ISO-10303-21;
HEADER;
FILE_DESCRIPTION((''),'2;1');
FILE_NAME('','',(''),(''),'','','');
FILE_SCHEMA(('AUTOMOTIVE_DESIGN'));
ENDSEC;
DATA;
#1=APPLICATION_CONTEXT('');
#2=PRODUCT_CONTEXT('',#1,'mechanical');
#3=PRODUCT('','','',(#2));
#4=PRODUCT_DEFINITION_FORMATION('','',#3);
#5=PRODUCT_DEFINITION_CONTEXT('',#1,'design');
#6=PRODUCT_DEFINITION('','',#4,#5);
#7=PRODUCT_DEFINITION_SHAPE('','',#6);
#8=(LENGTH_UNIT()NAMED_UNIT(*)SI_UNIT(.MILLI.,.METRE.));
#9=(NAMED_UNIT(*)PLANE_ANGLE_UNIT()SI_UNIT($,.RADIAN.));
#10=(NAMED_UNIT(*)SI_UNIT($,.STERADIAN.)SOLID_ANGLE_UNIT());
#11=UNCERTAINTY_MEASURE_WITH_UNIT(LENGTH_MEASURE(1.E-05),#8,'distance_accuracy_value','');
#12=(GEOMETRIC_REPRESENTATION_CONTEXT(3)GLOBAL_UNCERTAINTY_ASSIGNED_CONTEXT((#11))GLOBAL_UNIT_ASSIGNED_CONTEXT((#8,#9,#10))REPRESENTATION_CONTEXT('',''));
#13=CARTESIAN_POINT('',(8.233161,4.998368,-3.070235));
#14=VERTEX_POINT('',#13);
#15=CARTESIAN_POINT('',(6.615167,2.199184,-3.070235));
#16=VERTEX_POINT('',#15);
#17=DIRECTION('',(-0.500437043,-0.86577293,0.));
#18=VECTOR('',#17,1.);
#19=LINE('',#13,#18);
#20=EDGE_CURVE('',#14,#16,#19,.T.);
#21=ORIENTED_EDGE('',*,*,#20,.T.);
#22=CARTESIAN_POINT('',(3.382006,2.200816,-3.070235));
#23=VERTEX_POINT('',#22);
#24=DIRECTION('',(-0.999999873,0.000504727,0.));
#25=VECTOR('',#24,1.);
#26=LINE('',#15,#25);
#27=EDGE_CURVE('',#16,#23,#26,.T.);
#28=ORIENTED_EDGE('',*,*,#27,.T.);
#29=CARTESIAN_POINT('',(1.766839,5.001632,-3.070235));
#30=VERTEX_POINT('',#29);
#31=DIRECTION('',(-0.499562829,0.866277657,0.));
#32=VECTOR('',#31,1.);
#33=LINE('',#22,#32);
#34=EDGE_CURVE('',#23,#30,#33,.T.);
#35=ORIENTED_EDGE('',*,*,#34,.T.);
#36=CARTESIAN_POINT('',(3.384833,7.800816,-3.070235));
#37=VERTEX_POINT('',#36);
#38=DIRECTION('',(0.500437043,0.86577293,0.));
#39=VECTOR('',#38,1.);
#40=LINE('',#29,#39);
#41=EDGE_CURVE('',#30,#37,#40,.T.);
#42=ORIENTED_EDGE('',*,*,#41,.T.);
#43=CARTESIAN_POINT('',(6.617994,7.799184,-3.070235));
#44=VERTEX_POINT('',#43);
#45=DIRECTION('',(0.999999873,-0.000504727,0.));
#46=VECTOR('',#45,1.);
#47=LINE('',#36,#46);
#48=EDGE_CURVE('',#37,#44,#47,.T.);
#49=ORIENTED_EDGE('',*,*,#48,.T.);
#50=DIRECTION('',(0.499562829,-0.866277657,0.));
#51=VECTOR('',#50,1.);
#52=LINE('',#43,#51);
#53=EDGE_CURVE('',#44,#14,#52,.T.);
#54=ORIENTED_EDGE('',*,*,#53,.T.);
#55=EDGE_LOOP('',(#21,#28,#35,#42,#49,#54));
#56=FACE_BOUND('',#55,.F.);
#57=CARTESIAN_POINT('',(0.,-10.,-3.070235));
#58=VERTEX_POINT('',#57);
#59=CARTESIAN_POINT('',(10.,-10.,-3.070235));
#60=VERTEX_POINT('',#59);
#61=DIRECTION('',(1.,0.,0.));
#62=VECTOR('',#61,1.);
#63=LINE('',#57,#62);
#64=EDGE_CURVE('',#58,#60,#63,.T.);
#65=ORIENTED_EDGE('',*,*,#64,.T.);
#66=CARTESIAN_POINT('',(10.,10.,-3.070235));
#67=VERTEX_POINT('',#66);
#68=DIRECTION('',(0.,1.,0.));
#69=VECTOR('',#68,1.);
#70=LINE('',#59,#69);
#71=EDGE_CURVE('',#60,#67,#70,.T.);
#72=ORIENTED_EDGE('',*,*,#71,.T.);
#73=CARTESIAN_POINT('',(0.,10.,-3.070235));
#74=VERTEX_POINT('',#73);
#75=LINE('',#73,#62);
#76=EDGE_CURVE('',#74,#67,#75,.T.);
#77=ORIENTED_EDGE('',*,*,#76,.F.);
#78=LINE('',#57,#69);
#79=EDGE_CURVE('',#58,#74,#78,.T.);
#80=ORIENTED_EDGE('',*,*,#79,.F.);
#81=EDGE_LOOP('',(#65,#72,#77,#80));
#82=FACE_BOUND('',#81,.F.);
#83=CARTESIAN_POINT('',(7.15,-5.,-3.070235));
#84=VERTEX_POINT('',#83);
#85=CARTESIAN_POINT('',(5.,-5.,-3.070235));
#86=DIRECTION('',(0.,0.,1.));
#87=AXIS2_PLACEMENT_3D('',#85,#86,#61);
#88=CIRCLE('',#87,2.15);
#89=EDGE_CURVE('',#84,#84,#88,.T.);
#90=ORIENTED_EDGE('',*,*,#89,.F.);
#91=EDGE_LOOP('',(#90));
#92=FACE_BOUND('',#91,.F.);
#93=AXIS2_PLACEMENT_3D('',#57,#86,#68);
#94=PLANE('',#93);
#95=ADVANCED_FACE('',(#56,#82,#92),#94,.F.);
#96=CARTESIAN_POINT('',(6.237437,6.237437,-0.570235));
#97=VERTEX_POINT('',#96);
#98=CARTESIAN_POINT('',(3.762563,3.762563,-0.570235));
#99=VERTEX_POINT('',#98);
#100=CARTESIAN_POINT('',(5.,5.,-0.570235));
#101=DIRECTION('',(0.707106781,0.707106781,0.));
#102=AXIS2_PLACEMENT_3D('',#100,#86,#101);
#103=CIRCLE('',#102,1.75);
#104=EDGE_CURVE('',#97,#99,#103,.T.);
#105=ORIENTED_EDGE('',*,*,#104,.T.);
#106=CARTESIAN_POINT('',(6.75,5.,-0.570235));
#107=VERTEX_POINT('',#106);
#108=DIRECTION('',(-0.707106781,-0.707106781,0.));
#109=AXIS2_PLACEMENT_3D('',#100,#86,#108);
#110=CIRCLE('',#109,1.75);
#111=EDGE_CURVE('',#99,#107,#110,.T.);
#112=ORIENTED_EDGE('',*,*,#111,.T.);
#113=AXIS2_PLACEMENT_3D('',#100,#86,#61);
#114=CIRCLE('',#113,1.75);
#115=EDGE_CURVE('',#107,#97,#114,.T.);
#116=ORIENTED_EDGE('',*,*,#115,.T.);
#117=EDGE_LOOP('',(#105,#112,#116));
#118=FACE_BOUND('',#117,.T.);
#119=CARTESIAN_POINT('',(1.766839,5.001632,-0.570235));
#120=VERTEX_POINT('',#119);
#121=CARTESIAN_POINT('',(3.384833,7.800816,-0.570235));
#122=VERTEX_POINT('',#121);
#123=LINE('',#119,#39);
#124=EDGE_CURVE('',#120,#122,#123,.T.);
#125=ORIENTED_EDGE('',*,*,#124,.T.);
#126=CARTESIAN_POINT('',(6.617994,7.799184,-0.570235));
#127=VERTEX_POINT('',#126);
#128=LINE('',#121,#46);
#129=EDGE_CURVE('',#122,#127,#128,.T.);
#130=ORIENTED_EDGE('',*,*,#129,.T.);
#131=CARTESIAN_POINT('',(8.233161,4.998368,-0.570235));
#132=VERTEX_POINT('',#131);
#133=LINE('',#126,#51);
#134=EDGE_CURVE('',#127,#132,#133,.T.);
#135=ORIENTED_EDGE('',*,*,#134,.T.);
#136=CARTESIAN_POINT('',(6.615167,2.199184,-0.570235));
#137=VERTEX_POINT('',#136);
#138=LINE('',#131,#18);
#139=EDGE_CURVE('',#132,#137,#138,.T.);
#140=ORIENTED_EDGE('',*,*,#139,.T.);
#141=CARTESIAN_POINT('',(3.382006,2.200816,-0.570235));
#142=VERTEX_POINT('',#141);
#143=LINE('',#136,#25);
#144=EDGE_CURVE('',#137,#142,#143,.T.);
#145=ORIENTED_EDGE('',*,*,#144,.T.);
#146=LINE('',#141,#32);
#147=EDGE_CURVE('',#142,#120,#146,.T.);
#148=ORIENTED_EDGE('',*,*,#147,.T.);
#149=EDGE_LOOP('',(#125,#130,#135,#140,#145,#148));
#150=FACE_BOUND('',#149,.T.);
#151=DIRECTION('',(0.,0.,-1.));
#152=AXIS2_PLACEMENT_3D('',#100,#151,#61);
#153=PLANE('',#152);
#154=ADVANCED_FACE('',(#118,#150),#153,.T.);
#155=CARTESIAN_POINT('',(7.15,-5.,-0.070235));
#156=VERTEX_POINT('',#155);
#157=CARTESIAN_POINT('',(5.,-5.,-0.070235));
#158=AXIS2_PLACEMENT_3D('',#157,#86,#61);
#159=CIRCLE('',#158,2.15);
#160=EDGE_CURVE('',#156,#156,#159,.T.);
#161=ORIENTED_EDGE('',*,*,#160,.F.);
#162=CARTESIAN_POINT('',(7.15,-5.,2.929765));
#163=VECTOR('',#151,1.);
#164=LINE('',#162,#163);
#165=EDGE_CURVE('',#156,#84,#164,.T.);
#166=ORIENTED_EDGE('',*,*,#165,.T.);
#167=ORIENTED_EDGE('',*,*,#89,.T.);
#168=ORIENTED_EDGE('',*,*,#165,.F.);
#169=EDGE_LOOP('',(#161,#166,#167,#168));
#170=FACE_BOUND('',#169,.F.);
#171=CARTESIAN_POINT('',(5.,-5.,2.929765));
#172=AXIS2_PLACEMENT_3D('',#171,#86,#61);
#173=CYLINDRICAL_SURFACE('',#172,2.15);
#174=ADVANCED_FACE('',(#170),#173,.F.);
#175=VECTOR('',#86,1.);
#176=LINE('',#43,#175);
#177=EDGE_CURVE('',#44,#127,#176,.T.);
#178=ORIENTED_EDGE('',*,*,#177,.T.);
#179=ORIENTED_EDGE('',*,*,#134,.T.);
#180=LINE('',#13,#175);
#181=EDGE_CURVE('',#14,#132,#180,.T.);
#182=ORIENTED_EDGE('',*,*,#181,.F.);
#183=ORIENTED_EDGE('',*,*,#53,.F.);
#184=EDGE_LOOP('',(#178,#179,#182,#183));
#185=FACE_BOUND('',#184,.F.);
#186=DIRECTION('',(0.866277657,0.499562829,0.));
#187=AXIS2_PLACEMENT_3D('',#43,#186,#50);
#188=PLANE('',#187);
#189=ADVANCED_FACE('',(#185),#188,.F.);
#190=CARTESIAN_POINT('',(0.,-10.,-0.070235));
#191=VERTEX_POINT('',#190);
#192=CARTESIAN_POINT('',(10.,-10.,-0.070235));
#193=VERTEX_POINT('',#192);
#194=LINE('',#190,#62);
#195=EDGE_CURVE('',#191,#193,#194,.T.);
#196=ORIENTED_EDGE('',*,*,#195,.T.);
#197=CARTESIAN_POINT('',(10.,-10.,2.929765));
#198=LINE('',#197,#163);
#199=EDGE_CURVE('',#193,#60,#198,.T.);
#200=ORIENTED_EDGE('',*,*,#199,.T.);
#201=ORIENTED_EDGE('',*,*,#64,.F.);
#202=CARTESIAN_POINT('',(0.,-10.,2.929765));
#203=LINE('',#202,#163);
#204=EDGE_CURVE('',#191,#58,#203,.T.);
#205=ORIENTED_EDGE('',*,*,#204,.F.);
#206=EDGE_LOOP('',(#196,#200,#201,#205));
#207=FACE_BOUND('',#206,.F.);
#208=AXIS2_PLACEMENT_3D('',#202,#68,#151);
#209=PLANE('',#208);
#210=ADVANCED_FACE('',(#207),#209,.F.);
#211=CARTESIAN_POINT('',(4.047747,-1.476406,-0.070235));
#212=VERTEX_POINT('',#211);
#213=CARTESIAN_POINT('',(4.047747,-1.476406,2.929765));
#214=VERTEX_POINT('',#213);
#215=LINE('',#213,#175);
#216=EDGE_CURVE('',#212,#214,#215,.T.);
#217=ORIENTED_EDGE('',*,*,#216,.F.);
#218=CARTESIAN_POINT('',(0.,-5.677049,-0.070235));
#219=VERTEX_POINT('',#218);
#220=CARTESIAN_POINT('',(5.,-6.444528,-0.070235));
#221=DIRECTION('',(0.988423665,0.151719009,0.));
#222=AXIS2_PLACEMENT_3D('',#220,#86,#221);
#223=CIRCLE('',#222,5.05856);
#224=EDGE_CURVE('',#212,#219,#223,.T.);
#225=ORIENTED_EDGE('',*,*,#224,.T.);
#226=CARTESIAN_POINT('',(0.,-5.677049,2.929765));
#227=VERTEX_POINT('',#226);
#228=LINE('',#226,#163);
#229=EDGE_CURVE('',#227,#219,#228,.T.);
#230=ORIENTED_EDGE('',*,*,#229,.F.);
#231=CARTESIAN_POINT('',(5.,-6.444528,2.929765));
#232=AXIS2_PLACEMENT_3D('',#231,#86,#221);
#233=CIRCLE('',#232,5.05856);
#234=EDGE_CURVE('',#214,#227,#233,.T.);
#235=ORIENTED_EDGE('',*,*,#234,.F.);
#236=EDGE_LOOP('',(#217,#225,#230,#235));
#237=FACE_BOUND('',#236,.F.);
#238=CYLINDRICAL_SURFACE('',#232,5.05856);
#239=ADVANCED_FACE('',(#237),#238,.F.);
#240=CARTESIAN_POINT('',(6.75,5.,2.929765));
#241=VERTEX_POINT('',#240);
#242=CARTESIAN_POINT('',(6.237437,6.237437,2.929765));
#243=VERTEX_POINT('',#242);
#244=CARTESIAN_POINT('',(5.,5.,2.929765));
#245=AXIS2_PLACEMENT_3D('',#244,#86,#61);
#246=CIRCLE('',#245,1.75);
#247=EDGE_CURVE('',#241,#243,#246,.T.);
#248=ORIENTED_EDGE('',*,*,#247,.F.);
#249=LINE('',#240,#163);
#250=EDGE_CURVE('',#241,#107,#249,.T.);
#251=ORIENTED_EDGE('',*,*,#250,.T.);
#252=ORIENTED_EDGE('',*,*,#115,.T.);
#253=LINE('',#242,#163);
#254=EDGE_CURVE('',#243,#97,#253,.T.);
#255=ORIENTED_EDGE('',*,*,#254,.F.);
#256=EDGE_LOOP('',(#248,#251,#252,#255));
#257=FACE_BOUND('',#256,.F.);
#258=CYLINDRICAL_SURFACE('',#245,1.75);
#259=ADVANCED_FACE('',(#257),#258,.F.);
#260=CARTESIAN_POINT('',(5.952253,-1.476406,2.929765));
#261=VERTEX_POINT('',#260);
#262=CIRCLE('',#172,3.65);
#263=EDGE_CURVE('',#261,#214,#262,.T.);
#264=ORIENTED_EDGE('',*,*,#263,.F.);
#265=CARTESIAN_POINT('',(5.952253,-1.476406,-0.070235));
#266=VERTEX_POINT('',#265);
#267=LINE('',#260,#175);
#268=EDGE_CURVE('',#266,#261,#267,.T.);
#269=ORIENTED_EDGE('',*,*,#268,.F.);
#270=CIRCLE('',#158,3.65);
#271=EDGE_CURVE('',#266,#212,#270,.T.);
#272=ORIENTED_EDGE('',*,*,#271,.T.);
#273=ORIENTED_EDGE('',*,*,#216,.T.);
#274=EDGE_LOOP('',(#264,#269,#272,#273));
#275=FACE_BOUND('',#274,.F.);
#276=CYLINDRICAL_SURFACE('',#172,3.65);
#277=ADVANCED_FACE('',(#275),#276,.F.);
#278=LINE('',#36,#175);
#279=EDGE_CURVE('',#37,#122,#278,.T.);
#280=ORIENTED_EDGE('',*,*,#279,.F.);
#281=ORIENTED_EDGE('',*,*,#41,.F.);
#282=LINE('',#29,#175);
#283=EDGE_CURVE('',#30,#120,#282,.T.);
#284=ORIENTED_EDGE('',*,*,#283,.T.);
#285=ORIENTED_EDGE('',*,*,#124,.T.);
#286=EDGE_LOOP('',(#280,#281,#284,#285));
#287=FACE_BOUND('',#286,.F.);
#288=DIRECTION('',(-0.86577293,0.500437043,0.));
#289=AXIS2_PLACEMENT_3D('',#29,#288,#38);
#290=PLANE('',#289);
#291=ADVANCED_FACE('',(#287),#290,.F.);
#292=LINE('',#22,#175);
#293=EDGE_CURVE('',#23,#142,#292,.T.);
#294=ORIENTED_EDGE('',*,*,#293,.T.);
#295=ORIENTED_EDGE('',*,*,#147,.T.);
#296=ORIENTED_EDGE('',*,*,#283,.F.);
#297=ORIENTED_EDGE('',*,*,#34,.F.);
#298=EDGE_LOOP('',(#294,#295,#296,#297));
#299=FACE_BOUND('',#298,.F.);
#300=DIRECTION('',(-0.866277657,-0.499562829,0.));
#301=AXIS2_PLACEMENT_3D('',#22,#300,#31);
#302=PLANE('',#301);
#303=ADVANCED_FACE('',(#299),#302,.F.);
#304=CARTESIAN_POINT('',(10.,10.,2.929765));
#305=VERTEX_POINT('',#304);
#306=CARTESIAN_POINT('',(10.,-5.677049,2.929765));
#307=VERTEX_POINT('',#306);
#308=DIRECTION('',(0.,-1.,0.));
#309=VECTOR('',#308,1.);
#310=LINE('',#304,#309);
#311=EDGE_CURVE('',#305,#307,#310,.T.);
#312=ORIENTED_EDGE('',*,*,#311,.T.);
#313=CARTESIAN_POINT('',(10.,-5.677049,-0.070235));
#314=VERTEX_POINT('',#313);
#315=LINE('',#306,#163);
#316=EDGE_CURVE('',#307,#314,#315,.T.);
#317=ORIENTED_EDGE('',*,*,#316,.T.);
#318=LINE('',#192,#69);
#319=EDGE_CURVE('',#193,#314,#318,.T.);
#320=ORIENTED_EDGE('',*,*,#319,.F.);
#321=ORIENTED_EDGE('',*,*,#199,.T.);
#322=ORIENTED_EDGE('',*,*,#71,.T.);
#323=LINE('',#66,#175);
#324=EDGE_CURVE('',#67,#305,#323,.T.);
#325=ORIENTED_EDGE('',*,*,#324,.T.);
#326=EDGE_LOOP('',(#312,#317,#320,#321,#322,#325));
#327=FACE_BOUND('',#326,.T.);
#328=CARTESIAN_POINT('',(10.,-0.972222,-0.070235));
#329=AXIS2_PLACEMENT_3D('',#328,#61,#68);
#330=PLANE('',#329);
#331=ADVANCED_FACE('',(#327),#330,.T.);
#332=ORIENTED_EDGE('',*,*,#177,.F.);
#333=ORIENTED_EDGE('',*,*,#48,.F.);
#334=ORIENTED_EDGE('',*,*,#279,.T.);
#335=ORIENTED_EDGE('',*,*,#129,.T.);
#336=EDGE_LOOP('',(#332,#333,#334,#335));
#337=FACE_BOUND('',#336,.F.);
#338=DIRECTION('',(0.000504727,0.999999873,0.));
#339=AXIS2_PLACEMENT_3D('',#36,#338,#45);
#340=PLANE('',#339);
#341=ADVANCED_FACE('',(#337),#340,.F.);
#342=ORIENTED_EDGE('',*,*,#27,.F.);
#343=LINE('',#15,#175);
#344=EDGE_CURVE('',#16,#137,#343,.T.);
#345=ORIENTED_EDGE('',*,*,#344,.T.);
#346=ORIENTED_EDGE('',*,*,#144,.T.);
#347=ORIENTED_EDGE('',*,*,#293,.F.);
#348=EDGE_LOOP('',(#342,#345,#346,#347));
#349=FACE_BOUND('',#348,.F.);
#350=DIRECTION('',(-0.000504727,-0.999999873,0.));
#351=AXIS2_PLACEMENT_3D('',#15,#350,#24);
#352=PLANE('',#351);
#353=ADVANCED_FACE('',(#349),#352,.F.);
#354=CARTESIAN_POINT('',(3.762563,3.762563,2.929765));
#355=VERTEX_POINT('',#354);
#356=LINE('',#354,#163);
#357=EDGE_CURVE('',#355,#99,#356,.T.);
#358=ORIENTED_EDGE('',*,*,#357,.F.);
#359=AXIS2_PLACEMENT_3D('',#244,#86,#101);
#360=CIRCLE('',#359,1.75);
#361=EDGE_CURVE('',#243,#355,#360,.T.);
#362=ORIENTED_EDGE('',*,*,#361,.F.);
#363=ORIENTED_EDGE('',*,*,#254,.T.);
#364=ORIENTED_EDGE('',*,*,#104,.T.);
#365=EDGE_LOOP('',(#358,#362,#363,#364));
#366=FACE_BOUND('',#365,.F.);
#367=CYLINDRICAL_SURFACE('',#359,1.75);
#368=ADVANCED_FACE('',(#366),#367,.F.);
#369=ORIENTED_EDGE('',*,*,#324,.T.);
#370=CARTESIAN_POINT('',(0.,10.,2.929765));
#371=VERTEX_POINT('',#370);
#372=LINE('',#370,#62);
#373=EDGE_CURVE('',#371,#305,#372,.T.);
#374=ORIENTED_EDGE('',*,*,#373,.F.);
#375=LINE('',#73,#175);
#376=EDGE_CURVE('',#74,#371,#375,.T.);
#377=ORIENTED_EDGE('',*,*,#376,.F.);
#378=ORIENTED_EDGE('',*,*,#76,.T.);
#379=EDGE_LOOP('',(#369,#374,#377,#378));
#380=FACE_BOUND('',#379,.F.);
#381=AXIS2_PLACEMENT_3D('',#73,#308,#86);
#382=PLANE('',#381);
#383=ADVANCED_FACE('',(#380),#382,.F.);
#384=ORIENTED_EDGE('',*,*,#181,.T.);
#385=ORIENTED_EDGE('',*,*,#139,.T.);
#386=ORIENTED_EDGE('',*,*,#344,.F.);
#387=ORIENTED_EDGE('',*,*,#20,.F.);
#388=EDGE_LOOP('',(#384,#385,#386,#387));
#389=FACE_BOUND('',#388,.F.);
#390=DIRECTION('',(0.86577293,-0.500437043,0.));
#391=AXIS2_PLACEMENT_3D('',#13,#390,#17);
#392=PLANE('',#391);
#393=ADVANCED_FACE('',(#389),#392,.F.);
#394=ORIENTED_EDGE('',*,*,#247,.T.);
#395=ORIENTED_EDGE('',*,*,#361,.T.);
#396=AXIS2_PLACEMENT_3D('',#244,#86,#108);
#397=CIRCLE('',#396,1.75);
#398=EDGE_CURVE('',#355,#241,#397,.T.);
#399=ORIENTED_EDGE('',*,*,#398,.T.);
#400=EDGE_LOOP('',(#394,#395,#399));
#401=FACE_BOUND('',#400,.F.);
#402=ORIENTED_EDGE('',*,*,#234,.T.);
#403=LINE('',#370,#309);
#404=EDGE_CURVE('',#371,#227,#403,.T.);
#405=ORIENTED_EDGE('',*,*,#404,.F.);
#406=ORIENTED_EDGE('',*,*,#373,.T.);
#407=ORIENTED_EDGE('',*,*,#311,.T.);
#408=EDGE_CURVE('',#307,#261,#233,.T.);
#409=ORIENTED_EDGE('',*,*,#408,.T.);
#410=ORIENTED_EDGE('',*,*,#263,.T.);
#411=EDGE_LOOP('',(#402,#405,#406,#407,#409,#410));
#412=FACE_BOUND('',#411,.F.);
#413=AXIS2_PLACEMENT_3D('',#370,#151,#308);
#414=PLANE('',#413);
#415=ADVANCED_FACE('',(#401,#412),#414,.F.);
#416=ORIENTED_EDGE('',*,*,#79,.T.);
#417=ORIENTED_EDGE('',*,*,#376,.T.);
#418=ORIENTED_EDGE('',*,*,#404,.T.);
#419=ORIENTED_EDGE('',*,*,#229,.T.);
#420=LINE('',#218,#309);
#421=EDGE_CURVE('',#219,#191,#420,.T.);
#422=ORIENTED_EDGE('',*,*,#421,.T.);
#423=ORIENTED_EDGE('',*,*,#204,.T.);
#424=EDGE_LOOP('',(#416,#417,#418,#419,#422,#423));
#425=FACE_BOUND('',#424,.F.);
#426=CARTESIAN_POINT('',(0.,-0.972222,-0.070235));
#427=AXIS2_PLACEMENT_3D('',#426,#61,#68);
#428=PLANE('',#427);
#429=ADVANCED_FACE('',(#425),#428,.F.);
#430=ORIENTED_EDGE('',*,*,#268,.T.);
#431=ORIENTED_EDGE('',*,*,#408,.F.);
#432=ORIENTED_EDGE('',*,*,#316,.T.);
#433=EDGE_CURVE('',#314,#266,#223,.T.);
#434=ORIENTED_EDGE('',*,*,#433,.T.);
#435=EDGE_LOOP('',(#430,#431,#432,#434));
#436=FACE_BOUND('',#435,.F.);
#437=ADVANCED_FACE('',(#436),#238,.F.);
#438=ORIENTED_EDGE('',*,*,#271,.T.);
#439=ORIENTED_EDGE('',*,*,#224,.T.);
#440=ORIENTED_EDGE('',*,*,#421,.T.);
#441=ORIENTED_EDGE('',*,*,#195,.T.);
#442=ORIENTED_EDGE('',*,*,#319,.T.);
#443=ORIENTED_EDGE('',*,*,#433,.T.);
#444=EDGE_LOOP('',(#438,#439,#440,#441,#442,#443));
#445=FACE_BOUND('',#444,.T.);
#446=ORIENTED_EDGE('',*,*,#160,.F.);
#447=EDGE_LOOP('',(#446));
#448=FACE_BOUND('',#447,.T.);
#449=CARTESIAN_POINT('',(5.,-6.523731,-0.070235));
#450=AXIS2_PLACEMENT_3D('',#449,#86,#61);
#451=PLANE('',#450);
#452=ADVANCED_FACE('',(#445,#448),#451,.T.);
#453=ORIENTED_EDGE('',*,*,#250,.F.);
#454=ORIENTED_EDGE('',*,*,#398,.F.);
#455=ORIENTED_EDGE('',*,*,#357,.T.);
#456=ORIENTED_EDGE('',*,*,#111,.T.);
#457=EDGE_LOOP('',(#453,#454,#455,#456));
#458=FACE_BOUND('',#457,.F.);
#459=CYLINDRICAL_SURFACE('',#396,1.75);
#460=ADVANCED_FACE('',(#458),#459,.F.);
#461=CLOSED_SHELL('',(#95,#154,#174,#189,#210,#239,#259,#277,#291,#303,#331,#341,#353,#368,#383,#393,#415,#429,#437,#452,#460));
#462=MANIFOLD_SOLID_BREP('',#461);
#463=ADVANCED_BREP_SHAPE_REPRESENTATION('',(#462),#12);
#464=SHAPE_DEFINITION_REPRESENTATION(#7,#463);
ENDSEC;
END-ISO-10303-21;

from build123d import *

# Parameters (mm, degrees)
F0_W     = 10
F0_H     = 3
F1_DEPTH = 10
F2_R     = 2.15
F3_DEPTH = 6
F5_DEPTH = 2.5
F6_R     = 3.65
F7_DEPTH = 3
F9_DEPTH = 3


with BuildPart() as f1:
    # F0 (on Right) → F1 (new body)
    with BuildSketch(Plane.YZ):
        Polygon((-10, -3.0702352835), (10, -3.0702352835), (10, 2.9297647165), (-10, 2.9297647165), (-10, 1.4297647165), (0, 1.4297647165), (0, -1.5702352835), (-10, -1.5702352835), align=None)
        with Locations((-5, -0.0702352835)):
            Rectangle(F0_W, F0_H)
    extrude(amount=F1_DEPTH)

    # F2 (on face) → F3 (cut, through all)
    with BuildSketch(Plane.XY.offset(2.9297647165)):
        with Locations((5, -5)):
            Circle(F2_R)
        with BuildLine():
            ThreePointArc((6.75, 5), (6.6167891819, 5.6696960066), (6.2374368671, 6.2374368671))
            Line((6.2374368671, 6.2374368671), (3.7625631329, 3.7625631329))
            ThreePointArc((3.7625631329, 3.7625631329), (5.6696960066, 3.3832108181), (6.75, 5))
        make_face()
        with BuildLine():
            Line((3.7625631329, 3.7625631329), (6.2374368671, 6.2374368671))
            ThreePointArc((6.2374368671, 6.2374368671), (3.7625631329, 6.2374368671), (3.7625631329, 3.7625631329))
        make_face()
    extrude(amount=-F3_DEPTH, mode=Mode.SUBTRACT)

    # F4 (on face) → F5 (cut)
    with BuildSketch(Plane(origin=(0, 0, -3.0702352835), x_dir=(1, 0, 0), z_dir=(0, 0, -1))):
        Polygon((1.7668389044, -5.0016318656), (3.3848326892, -7.8008155761), (6.6179937849, -7.7991837106), (8.2331610956, -4.9983681344), (6.6151673108, -2.1991844239), (3.3820062151, -2.2008162894), align=None)
    extrude(amount=-F5_DEPTH, mode=Mode.SUBTRACT)

    # F6 (on face) → F7 (cut)
    with BuildSketch(Plane.XY.offset(2.9297647165)):
        with Locations((5, -5)):
            Circle(F6_R)
    extrude(amount=-F7_DEPTH, mode=Mode.SUBTRACT)

    # F8 (on face) → F9 (cut)
    with BuildSketch(Plane.XY.offset(2.9297647165)):
        with BuildLine():
            Line((0, -5.6770486943), (0, -10))
            Line((0, -10), (10, -10))
            Line((10, -10), (10, -5.6770486943))
            ThreePointArc((10, -5.6770486943), (5, -1.3859687615), (0, -5.6770486943))
        make_face()
    extrude(amount=-F9_DEPTH, mode=Mode.SUBTRACT)


solid = f1.part
